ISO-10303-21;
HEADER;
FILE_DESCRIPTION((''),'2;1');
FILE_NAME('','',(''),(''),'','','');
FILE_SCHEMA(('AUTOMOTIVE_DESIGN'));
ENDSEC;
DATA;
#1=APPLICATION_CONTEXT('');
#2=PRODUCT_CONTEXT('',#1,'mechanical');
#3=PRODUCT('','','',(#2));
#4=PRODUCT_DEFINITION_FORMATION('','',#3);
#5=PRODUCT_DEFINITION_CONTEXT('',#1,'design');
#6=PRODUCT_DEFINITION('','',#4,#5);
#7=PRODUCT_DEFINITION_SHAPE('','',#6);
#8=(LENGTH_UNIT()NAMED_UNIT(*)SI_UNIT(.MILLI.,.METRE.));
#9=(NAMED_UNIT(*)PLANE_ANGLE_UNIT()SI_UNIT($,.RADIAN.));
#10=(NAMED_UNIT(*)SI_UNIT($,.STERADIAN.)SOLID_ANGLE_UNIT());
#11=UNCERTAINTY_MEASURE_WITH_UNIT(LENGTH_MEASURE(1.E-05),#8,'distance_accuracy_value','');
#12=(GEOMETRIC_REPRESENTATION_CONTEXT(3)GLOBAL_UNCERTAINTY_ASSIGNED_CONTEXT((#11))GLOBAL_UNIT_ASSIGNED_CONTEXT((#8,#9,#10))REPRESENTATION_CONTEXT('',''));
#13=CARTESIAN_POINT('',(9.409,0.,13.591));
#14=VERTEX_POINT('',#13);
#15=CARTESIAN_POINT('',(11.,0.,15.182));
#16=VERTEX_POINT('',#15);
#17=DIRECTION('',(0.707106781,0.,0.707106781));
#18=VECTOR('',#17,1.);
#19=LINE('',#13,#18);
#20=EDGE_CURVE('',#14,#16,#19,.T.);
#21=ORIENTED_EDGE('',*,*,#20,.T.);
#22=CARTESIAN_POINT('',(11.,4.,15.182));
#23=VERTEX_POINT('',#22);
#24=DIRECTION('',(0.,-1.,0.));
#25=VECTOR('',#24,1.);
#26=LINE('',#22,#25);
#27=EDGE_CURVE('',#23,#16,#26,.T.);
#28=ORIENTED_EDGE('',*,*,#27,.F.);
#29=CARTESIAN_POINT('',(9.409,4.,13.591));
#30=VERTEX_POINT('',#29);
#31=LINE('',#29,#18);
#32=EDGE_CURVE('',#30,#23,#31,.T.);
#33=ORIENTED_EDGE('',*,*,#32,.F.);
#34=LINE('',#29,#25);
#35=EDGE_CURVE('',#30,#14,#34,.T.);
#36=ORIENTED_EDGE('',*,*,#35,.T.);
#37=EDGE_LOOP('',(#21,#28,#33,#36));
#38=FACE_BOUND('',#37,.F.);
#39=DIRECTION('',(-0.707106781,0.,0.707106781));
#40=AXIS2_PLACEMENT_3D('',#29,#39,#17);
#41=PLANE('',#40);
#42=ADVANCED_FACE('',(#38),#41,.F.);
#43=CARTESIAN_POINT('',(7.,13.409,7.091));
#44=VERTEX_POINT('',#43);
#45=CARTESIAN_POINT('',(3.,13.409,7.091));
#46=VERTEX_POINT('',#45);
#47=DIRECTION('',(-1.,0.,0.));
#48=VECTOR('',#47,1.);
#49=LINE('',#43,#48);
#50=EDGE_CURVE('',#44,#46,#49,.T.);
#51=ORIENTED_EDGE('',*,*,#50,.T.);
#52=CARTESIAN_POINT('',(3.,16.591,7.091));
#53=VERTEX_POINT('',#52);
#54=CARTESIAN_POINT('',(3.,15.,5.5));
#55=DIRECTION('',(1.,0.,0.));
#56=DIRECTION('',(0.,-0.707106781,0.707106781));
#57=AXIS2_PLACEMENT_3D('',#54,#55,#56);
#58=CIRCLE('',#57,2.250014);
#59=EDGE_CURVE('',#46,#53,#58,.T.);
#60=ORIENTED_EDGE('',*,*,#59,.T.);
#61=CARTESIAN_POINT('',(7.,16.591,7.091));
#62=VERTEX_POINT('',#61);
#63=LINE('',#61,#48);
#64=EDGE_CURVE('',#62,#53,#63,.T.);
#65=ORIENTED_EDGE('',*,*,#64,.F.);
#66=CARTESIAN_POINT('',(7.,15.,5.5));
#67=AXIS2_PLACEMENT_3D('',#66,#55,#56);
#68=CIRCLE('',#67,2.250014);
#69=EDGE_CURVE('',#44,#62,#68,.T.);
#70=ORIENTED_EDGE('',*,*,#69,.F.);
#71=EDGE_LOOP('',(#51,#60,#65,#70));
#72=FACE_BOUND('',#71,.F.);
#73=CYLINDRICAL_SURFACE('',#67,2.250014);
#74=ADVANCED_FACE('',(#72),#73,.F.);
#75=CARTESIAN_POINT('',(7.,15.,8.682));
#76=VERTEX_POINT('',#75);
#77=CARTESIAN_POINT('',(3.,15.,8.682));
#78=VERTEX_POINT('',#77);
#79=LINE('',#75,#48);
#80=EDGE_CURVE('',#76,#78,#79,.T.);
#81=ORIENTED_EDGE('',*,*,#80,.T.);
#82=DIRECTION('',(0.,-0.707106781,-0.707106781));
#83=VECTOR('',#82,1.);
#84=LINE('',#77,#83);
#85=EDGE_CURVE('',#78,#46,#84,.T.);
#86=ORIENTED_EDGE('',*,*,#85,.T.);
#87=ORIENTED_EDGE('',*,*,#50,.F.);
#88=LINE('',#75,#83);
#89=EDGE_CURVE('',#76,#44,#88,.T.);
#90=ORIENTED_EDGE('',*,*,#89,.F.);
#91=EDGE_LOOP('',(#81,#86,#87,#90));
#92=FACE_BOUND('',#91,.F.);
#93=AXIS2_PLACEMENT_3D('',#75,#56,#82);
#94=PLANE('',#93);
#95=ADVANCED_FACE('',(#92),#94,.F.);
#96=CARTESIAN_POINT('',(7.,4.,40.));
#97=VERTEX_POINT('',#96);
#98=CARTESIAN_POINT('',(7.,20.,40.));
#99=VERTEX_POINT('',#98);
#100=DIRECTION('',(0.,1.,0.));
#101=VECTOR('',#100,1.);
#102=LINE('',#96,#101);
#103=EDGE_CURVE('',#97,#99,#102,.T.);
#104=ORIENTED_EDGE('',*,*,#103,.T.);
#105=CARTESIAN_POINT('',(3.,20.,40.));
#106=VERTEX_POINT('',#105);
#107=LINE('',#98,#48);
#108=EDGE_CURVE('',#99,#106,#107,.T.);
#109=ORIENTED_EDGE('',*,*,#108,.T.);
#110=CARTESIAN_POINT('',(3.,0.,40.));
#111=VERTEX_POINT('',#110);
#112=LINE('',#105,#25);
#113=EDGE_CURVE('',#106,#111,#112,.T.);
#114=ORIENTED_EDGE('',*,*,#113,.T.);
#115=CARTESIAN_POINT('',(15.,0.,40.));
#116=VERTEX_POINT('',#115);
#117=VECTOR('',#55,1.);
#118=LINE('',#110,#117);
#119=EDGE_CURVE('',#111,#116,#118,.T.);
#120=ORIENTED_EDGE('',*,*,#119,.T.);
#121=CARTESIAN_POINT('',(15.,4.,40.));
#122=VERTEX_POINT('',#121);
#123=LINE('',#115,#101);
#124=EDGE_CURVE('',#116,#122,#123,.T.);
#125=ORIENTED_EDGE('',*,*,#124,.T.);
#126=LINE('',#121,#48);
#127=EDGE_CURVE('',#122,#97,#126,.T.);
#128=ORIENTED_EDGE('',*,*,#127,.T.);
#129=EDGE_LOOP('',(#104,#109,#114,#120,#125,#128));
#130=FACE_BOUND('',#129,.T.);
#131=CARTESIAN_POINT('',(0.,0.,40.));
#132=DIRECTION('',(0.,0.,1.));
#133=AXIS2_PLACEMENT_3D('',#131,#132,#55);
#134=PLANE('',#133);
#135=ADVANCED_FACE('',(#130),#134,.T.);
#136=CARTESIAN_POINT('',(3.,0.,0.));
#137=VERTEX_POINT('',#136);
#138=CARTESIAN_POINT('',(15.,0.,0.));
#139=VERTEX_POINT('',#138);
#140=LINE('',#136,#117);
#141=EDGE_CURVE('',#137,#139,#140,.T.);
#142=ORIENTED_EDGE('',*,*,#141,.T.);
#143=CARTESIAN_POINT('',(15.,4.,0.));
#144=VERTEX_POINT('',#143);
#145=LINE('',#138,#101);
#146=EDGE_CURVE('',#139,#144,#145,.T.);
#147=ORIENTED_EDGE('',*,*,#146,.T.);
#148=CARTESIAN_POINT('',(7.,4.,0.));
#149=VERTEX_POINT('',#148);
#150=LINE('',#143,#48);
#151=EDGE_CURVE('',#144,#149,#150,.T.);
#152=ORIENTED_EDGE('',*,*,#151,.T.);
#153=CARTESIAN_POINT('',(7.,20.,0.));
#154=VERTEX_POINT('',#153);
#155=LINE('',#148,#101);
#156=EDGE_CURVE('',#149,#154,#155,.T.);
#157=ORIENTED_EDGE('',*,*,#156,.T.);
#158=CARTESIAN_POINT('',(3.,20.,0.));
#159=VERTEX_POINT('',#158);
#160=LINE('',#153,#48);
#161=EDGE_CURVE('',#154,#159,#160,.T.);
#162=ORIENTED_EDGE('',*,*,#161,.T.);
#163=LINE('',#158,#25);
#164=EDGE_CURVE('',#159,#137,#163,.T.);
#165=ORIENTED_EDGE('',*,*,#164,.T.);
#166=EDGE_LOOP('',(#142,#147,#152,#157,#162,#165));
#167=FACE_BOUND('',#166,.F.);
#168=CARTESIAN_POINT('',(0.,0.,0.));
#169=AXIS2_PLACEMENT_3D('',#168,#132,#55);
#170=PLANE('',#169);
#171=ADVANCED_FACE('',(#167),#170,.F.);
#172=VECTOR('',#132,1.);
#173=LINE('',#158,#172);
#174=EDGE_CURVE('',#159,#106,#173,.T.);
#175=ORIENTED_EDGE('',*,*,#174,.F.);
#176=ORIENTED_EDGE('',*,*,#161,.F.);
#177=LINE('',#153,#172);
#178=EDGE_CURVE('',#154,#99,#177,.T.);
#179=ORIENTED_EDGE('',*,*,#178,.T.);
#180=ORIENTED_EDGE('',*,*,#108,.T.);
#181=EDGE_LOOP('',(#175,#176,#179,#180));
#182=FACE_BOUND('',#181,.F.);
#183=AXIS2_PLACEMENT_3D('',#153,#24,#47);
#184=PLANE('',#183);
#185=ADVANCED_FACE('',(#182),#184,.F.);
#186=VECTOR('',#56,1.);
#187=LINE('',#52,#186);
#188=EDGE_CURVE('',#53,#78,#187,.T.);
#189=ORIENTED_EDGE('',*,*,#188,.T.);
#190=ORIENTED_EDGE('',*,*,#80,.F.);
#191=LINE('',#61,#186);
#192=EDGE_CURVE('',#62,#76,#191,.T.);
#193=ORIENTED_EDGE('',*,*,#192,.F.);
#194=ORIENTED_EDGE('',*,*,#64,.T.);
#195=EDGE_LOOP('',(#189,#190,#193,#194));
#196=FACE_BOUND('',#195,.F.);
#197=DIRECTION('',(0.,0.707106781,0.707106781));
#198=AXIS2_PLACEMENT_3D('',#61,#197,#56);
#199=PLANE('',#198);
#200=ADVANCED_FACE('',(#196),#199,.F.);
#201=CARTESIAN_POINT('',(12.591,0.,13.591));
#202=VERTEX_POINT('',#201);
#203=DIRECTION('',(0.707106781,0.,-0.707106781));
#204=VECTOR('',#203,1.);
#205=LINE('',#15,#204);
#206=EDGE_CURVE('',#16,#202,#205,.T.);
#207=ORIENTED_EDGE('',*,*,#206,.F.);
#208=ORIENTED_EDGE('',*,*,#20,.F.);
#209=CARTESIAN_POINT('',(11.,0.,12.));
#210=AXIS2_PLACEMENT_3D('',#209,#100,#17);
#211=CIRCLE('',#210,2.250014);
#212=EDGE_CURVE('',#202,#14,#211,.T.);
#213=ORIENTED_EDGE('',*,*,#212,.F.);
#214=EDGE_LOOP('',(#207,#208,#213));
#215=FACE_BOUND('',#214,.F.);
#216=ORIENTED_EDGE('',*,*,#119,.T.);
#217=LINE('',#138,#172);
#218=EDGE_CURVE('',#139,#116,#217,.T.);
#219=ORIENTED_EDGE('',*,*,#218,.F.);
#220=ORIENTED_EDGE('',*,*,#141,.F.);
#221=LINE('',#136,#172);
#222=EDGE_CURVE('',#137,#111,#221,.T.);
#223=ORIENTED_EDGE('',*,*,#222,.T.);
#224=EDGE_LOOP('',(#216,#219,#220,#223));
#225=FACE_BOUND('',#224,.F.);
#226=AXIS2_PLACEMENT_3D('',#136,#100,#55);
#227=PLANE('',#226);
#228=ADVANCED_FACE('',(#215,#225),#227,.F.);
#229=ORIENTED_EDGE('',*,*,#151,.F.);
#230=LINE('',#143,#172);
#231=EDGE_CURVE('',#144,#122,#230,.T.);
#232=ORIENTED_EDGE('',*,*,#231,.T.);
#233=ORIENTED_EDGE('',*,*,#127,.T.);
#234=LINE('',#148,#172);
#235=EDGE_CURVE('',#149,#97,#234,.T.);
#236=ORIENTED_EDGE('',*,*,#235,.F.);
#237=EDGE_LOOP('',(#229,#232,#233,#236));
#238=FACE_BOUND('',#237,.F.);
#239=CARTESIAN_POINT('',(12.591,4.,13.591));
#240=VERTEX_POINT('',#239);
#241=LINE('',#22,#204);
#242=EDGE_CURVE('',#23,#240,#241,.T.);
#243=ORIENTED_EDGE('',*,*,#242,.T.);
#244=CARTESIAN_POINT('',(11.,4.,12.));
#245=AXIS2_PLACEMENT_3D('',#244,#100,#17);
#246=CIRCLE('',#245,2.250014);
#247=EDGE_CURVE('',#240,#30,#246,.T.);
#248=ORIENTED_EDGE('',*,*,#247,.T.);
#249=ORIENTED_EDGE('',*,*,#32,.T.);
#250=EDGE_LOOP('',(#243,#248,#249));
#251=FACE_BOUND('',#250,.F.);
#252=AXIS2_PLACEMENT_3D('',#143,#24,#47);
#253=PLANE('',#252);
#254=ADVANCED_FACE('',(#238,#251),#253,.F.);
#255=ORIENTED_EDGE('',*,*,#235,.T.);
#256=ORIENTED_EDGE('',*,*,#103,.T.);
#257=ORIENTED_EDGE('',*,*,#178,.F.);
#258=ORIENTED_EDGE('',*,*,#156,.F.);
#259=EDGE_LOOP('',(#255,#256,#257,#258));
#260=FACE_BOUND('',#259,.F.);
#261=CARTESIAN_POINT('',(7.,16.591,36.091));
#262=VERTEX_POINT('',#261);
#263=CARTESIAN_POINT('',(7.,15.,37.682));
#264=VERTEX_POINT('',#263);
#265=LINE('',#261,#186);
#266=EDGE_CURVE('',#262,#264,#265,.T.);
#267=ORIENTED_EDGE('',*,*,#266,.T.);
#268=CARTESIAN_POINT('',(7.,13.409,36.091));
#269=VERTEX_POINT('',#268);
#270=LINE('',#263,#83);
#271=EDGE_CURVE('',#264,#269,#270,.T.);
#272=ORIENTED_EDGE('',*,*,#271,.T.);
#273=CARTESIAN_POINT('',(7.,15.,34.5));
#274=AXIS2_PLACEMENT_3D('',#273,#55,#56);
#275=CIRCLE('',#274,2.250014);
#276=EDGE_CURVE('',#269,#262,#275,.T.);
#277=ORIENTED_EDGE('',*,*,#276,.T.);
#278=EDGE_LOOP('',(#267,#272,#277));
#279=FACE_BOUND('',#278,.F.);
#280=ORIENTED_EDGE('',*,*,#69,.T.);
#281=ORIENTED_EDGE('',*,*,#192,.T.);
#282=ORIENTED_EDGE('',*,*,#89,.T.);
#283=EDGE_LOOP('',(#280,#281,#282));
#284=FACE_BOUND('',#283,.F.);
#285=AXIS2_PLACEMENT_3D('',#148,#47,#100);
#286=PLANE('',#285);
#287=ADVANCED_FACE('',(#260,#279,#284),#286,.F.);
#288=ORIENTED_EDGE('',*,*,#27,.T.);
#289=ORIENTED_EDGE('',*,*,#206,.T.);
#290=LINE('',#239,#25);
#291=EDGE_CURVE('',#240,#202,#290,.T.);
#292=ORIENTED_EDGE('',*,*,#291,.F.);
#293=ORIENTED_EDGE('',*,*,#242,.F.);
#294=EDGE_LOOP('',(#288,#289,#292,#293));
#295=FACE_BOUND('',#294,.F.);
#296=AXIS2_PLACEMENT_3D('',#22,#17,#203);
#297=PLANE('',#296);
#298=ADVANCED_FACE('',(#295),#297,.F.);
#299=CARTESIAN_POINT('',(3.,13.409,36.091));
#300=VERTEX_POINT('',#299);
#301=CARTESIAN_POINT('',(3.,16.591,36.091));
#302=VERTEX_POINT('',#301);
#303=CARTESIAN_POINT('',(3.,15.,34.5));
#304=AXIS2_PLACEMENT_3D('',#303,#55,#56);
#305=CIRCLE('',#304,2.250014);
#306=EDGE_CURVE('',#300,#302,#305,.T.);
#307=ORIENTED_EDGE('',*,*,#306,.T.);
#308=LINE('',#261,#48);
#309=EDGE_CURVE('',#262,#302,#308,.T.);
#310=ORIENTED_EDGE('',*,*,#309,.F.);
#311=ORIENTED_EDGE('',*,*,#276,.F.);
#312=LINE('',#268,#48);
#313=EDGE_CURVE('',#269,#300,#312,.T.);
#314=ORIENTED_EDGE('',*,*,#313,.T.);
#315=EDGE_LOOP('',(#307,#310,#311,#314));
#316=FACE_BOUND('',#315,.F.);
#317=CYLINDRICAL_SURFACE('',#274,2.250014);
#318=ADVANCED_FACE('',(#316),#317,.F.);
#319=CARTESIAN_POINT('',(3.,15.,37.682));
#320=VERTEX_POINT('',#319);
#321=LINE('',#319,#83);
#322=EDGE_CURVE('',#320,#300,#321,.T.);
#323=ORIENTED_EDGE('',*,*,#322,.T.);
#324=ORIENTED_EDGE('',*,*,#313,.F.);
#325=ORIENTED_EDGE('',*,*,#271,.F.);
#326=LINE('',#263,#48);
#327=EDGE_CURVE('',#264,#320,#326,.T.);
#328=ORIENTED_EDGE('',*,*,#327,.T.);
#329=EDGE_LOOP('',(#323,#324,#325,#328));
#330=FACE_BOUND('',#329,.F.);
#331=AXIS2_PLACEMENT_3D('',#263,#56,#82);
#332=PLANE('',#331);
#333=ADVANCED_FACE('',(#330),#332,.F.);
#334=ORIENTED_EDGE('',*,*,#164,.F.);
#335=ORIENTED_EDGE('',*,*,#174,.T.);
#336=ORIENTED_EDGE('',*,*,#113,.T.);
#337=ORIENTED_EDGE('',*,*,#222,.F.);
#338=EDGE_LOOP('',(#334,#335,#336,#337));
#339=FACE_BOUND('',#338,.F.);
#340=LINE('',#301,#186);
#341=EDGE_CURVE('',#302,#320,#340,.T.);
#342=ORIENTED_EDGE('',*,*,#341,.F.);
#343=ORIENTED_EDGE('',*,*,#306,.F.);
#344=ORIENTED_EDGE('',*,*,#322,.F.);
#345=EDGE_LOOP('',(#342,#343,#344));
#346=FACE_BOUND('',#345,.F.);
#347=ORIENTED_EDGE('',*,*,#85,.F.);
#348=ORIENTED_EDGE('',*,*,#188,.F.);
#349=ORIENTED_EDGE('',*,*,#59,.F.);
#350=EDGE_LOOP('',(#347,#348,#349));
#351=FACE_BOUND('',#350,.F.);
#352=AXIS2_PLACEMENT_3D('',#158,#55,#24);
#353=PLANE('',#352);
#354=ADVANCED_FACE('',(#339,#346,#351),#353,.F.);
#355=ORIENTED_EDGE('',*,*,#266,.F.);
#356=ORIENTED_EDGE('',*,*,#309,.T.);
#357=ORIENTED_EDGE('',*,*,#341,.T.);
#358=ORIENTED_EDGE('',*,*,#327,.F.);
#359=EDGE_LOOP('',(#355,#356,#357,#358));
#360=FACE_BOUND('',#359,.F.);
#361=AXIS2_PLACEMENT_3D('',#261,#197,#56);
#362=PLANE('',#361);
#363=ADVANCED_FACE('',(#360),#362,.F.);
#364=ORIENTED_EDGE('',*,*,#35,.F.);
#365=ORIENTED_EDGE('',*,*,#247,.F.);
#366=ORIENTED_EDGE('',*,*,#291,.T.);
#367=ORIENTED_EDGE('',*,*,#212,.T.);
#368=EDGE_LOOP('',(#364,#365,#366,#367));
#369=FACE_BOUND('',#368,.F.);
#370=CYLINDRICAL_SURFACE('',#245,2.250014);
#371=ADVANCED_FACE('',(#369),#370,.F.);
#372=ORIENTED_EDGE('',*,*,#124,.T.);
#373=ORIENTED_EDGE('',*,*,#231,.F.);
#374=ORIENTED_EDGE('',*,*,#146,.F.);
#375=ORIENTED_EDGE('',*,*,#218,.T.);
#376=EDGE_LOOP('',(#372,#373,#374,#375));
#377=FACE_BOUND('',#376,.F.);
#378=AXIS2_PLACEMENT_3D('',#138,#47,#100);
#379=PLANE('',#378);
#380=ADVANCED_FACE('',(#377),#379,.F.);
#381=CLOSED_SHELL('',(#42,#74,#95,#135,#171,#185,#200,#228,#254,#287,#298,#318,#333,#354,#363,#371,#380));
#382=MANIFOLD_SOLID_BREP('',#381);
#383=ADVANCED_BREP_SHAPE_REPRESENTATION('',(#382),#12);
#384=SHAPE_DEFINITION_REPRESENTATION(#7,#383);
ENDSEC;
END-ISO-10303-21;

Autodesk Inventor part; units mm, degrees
ref_plane "YZ Plane" through (0, 0, 0) normal (1, 0, 0) x (0, 1, 0)
ref_plane "XZ Plane" through (0, 0, 0) normal (0, 1, 0) x (-1, 0, 0)
ref_plane "XY Plane" through (0, 0, 0) normal (0, 0, 1) x (1, 0, 0)
sketch "Sketch1" plane through (0, 0, 0) normal (0, 0, 1) x (1, 0, 0)
  line L0 (15, 4) -> (7, 4)
  line L1 (15, 0) -> (15, 4)
  line L2 (3, 0) -> (15, 0)
  line L3 (3, 20) -> (3, 0)
  line L4 (7, 20) -> (3, 20)
  line L5 (7, 4) -> (7, 20)
extrude "Extrusion4" add sketch "Sketch1" along normal blind 40
sketch "Sketch2" plane through (7, 4, 0) normal (0, 1, 0) x (1, 0, 0)
  arc A0 (5.591, -13.591) -> (2.409, -13.591) centre (4, -12) ccw
  line L0 (4, -15.182) -> (5.591, -13.591)
  line L1 (2.409, -13.591) -> (4, -15.182)
extrude "Extrusion3" cut sketch "Sketch2" against normal blind 4
sketch "Sketch3" plane through (7, 4, 0) normal (1, 0, 0) x (0, 0, -1)
  arc A0 (-7.091, 9.409) -> (-7.091, 12.591) centre (-5.5, 11) ccw
  line L0 (-8.682, 11) -> (-7.091, 9.409)
  line L1 (-7.091, 12.591) -> (-8.682, 11)
extrude "Extrusion2" cut sketch "Sketch3" against normal blind 4 draft 0
sketch "Sketch4" plane through (7, 4, 0) normal (1, 0, 0) x (0, 0, -1)
  line L0 (-36.091, 12.591) -> (-37.682, 11)
  arc A0 (-36.091, 9.409) -> (-36.091, 12.591) centre (-34.5, 11) ccw
  line L1 (-37.682, 11) -> (-36.091, 9.409)
extrude "Extrusion1" cut sketch "Sketch4" against normal blind 4
properties part number "Y-axis Belt Idler 2" material "ASA Plastic"
